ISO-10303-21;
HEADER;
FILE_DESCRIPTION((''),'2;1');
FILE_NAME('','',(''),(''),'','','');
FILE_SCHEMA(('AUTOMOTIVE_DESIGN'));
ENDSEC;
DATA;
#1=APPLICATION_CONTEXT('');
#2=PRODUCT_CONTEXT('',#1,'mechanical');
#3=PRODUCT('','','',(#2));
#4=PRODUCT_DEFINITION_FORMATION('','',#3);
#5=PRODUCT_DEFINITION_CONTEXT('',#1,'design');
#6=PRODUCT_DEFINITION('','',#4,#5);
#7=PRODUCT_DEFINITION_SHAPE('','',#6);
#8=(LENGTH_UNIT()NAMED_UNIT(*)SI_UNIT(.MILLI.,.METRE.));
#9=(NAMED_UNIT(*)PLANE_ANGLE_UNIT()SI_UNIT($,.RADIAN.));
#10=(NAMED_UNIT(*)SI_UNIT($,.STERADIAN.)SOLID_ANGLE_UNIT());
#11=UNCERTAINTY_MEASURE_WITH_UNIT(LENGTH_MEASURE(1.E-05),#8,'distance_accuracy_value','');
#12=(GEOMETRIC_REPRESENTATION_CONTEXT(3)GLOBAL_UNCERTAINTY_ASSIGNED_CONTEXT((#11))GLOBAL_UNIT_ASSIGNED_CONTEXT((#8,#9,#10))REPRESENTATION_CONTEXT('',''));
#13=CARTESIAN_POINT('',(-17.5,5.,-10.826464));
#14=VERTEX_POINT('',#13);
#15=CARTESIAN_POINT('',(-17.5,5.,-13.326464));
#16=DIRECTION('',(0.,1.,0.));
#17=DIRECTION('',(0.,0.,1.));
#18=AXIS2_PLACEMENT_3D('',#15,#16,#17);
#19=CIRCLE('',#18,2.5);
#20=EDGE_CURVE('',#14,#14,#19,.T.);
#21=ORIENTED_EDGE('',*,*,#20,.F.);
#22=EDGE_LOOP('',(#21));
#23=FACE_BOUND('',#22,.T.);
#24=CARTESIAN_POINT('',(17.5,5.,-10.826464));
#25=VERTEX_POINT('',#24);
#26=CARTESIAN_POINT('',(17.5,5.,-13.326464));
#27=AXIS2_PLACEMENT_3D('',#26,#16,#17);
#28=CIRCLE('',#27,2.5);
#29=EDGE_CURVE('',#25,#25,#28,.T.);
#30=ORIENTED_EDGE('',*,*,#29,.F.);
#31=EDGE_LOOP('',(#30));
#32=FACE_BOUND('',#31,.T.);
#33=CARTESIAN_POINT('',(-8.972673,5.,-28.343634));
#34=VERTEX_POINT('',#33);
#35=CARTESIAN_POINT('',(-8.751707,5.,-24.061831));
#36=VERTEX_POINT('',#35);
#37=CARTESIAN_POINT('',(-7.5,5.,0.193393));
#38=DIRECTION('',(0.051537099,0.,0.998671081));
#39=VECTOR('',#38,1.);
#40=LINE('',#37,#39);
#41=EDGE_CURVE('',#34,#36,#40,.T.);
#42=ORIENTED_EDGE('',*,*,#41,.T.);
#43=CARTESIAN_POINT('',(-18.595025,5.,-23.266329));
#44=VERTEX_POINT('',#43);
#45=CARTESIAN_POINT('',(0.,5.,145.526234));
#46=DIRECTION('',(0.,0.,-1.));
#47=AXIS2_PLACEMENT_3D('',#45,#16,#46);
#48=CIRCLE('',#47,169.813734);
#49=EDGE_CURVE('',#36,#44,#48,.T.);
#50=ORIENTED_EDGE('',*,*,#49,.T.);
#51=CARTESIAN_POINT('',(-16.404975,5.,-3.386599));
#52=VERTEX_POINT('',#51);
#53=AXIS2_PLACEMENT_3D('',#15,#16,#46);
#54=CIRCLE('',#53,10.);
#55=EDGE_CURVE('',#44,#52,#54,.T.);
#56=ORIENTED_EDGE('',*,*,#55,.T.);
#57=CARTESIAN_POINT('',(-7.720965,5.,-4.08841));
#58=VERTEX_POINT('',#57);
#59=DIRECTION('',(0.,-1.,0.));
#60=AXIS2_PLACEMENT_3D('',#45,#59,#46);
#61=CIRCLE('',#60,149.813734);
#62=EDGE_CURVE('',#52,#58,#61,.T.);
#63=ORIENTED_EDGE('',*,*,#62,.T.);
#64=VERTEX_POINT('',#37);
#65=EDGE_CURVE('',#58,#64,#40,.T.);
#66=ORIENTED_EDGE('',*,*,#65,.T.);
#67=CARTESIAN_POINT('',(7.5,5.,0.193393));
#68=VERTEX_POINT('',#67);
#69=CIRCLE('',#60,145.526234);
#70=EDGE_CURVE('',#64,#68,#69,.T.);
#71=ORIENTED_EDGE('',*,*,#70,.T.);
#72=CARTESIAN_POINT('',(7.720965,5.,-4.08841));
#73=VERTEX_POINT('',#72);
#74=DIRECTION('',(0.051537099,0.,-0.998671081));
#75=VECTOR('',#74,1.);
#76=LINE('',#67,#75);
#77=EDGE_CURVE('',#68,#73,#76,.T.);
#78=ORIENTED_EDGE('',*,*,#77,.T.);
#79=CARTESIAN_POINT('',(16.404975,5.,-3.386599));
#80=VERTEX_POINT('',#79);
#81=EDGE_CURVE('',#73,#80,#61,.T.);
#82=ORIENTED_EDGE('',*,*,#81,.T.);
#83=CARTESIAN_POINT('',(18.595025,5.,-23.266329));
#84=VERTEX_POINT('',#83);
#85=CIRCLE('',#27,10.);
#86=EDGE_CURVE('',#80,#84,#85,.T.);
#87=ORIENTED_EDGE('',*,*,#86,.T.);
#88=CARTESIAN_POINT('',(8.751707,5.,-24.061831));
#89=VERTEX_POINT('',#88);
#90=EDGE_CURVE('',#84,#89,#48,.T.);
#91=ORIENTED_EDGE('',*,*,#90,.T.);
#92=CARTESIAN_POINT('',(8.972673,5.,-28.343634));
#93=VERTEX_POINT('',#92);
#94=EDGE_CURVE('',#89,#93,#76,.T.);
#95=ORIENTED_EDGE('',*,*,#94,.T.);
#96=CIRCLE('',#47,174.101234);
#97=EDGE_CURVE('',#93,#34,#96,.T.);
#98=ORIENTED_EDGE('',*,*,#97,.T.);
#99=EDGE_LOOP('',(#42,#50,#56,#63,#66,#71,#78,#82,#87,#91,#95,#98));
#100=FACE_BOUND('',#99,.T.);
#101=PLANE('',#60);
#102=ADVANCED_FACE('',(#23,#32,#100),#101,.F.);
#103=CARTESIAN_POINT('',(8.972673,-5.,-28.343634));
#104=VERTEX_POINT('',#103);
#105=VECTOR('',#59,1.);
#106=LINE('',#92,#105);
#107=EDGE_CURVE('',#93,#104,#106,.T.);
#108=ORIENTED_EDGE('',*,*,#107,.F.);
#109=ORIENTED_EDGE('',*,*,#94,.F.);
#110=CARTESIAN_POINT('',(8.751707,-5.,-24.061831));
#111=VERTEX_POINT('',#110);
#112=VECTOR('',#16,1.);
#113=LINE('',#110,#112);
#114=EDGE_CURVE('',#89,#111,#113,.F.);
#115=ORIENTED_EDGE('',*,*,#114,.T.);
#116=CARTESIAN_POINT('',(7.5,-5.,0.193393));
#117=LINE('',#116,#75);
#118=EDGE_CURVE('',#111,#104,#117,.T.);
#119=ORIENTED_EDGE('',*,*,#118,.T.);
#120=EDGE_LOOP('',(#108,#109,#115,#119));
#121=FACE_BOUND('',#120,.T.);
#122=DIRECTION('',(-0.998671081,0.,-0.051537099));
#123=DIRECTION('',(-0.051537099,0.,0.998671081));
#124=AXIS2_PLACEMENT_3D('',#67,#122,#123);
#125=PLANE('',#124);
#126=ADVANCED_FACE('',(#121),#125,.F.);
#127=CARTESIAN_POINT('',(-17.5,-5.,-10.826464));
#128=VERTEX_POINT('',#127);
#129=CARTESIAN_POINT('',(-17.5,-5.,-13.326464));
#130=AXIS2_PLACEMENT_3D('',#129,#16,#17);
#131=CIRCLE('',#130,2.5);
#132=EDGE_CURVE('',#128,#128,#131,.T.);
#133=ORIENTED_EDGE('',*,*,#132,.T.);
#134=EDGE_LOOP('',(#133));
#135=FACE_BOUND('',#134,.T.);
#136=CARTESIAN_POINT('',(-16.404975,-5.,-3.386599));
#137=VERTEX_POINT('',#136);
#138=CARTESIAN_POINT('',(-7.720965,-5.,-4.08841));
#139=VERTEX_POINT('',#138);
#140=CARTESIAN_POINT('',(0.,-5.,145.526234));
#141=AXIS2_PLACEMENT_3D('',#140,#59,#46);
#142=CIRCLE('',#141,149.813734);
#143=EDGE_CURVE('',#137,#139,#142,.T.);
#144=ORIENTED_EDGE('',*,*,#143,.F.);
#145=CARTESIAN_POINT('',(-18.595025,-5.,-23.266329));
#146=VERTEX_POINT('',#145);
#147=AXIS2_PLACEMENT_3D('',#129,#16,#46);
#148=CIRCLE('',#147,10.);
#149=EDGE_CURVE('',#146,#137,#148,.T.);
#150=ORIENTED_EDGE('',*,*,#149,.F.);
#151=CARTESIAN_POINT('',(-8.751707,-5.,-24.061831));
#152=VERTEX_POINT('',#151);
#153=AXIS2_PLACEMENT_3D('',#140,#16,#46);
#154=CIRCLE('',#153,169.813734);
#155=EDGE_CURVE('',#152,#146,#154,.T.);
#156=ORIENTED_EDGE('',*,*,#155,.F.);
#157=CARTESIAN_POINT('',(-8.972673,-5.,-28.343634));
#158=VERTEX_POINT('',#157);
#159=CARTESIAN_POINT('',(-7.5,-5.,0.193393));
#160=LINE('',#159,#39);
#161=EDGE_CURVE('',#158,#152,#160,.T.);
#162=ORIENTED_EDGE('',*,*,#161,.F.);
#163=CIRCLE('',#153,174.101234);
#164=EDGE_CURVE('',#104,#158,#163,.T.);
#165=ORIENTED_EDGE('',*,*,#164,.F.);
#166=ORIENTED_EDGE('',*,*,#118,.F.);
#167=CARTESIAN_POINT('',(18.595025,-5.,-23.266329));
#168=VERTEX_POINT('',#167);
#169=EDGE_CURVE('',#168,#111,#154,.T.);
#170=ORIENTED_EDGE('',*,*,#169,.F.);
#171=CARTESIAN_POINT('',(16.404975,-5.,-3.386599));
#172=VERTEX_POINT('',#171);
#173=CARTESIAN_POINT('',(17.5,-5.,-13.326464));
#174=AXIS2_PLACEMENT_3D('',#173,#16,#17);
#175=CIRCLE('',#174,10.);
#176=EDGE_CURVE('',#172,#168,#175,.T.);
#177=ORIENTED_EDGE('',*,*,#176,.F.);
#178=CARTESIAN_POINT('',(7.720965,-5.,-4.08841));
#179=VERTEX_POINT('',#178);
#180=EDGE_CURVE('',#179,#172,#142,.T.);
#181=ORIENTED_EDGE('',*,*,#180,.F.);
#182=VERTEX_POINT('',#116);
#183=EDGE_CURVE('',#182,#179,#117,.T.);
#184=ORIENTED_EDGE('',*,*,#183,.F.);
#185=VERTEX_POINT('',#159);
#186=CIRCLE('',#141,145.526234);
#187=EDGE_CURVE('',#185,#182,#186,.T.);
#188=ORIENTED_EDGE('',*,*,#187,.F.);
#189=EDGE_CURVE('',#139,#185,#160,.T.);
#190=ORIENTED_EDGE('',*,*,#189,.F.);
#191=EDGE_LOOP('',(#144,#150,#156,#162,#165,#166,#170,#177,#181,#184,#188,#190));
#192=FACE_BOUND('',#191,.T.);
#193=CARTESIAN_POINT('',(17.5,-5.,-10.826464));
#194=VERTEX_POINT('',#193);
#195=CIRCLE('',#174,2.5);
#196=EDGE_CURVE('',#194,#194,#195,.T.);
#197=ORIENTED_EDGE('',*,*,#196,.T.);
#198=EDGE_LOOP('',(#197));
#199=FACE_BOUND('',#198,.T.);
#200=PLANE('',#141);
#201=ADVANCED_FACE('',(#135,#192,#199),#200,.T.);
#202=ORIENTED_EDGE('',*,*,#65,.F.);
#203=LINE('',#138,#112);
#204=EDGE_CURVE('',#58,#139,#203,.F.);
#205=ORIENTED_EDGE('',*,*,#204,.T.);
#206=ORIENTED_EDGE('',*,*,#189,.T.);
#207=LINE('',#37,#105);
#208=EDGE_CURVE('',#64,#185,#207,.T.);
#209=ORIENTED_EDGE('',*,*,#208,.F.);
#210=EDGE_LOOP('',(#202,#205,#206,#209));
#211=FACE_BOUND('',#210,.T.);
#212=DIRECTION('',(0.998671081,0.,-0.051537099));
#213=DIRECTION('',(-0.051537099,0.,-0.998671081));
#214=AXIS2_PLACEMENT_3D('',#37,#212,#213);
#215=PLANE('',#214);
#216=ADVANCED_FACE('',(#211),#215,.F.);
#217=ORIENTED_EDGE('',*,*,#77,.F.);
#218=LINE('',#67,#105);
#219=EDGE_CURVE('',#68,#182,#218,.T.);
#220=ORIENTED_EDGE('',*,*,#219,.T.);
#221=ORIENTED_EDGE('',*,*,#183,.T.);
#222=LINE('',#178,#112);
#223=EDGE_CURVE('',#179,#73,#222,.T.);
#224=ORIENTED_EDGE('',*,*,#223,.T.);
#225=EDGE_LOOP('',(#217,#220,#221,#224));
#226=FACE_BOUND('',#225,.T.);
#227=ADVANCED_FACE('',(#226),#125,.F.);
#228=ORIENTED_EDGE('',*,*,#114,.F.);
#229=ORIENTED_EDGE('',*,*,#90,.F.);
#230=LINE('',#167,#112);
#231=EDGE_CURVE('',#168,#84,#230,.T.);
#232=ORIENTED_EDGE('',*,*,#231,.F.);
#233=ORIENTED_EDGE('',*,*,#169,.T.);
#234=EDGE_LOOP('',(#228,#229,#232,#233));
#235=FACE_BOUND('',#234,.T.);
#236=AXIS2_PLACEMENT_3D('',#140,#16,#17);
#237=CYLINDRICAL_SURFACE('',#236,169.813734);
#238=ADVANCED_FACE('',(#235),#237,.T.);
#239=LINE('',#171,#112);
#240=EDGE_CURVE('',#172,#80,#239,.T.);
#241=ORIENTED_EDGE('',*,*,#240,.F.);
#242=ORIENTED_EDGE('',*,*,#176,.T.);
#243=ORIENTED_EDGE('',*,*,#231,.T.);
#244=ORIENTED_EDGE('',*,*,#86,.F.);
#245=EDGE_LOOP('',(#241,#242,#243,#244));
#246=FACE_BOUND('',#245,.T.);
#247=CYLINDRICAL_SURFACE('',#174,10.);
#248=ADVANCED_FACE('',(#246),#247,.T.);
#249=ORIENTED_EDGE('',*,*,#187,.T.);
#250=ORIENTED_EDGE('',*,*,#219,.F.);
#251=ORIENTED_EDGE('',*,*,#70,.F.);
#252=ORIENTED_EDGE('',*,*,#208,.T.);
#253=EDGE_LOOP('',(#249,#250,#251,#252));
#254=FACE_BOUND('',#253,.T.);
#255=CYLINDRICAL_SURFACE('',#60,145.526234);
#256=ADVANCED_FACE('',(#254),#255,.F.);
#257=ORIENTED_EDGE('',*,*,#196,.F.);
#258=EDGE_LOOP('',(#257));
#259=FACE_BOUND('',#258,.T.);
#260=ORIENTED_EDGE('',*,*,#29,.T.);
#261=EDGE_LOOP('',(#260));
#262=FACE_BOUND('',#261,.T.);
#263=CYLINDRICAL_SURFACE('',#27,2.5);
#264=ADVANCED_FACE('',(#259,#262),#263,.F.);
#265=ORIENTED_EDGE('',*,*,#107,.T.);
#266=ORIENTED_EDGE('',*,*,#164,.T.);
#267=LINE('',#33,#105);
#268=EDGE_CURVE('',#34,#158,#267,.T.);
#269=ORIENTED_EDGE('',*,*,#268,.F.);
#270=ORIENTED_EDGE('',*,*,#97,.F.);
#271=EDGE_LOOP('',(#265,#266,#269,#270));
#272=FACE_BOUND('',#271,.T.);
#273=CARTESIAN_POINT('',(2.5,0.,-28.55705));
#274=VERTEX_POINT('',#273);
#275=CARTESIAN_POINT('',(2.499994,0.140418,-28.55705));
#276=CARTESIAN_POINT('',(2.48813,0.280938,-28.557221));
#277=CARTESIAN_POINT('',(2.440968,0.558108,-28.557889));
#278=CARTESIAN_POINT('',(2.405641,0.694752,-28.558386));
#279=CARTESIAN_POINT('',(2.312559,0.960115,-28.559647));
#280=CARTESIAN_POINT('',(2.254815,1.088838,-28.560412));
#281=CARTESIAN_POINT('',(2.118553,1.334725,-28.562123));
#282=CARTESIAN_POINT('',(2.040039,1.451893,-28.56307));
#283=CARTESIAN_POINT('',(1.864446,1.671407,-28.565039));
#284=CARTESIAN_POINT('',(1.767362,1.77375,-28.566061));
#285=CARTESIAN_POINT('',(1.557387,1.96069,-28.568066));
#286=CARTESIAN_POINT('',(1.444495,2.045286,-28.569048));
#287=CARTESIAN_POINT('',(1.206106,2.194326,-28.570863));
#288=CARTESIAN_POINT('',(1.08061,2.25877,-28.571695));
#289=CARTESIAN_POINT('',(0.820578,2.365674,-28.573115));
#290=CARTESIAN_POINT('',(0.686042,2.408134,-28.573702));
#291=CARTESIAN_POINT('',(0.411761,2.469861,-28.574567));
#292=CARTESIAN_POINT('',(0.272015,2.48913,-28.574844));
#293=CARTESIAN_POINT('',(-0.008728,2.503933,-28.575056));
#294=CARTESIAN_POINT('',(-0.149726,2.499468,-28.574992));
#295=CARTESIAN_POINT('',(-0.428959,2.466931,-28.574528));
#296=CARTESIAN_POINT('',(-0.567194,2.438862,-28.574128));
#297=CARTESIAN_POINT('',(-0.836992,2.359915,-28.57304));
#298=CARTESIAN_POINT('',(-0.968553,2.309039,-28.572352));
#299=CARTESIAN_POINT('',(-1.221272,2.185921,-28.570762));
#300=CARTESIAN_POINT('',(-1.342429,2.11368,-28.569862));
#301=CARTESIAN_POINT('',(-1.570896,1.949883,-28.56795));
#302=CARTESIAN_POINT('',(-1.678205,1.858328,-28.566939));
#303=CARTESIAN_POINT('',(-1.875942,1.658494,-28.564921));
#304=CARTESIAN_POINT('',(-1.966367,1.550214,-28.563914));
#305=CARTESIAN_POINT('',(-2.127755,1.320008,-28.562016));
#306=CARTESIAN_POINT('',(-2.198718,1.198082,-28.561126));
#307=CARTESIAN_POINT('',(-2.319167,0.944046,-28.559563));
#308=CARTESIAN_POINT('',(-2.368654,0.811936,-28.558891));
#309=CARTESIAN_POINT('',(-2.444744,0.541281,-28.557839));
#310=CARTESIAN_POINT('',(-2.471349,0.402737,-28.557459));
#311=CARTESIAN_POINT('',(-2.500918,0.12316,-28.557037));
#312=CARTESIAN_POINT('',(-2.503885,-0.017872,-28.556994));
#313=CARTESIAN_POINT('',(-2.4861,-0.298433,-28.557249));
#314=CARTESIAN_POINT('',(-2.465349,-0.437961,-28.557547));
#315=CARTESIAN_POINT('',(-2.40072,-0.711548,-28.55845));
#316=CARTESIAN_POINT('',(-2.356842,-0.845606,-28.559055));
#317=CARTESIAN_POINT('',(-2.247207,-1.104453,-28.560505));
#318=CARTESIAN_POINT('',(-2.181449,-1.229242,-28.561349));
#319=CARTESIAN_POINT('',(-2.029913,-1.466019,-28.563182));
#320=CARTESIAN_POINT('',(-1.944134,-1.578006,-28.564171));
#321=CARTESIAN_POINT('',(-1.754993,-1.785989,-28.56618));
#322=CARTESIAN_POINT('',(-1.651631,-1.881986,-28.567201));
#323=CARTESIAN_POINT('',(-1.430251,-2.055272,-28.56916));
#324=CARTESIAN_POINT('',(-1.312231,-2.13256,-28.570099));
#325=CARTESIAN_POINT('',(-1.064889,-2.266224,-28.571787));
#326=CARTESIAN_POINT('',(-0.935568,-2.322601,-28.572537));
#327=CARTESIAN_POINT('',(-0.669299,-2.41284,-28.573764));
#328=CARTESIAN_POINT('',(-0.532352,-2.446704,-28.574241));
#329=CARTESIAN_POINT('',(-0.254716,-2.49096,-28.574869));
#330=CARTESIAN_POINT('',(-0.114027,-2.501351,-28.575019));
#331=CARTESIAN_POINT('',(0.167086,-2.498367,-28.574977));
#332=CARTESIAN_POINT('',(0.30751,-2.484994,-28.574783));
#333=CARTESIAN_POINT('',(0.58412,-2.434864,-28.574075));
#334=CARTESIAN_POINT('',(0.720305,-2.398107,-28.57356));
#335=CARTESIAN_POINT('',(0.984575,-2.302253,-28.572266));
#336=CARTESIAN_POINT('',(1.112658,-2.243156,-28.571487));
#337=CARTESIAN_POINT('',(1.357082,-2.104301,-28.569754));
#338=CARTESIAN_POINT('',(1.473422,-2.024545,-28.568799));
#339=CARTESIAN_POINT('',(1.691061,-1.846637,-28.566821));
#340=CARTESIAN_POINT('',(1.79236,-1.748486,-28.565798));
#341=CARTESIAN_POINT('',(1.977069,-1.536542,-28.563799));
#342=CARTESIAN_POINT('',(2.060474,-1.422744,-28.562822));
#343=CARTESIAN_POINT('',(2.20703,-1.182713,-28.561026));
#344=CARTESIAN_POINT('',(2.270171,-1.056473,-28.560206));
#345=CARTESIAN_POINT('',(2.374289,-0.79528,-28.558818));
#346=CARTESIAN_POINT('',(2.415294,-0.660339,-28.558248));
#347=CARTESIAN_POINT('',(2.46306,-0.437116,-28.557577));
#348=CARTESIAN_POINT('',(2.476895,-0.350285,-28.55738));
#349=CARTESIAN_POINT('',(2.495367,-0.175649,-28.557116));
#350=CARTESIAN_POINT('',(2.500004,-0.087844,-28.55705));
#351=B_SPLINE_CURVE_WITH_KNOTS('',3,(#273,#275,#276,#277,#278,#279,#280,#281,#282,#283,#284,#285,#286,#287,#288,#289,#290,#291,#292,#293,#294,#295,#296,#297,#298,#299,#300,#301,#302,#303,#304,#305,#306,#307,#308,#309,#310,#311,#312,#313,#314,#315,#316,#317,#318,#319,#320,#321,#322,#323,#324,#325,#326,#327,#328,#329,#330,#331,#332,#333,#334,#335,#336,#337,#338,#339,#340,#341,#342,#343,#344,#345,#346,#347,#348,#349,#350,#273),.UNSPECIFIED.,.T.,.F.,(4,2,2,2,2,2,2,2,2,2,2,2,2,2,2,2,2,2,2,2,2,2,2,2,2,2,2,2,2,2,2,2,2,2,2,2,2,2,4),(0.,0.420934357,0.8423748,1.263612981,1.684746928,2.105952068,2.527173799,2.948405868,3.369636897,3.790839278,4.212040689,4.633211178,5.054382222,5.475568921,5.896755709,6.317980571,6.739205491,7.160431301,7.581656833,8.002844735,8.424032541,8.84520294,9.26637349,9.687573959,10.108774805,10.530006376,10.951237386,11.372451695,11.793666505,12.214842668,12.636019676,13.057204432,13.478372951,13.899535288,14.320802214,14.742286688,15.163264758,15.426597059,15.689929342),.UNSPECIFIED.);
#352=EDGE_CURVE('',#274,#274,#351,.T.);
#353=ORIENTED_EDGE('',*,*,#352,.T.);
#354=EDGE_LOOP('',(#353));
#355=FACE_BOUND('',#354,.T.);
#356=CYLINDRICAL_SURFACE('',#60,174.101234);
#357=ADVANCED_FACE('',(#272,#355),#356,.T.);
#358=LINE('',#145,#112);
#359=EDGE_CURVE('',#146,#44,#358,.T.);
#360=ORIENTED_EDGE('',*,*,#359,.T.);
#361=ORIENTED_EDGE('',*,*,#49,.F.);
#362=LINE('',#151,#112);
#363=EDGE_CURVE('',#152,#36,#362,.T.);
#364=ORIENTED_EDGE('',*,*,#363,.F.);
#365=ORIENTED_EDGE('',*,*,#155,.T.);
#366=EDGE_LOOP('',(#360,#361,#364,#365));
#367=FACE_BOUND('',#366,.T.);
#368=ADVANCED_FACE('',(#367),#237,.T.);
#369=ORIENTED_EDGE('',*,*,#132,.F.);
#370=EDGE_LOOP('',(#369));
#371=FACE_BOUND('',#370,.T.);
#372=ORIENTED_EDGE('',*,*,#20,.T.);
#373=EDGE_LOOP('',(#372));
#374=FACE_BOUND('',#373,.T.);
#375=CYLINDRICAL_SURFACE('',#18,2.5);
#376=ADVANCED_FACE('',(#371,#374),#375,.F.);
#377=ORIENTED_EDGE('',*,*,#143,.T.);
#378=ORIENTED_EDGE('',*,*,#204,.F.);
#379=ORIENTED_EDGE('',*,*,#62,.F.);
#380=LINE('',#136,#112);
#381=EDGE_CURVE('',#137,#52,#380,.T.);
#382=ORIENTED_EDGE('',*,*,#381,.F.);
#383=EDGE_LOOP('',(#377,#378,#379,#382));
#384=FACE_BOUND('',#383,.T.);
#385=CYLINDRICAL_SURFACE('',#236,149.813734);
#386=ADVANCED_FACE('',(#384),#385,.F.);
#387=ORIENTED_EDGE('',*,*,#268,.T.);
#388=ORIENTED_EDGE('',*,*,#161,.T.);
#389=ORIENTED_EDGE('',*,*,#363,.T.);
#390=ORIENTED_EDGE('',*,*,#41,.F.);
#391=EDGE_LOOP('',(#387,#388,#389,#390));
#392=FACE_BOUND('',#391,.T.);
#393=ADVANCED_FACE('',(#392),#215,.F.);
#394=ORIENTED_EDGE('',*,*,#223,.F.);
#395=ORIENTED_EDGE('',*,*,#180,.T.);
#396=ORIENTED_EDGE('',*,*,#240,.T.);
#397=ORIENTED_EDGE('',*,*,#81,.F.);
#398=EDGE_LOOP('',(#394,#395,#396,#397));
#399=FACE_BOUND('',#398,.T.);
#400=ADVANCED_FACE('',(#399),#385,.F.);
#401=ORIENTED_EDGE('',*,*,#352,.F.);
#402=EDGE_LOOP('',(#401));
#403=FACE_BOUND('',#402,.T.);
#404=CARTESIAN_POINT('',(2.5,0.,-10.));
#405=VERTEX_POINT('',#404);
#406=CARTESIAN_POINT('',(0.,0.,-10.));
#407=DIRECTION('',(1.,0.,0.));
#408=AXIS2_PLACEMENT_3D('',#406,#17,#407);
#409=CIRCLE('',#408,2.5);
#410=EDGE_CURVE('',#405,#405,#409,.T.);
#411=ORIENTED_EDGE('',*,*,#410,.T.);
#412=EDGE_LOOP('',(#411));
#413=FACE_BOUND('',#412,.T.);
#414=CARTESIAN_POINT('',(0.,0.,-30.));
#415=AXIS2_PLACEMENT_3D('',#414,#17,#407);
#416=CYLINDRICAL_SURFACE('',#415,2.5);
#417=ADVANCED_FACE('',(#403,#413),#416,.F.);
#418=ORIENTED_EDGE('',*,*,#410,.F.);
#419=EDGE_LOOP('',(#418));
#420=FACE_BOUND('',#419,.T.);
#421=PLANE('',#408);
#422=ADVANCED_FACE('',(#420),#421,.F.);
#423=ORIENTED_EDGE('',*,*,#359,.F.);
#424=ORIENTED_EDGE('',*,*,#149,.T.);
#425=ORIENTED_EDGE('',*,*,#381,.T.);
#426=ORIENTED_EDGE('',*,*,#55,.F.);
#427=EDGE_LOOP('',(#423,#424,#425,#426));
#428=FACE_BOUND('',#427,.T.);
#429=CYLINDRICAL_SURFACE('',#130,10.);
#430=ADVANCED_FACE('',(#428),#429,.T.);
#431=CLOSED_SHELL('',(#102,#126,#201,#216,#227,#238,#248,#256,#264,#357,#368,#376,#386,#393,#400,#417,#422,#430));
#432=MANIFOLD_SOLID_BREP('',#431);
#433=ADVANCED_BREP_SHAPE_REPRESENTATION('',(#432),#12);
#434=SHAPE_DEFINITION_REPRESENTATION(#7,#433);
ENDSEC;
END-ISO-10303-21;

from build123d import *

# Parameters (mm, degrees)
BOSS_EXTRUDE1_DEPTH   = 5
BOSS_EXTRUDE2_DEPTH   = 10
M6X1_0_TAPPED_HOLE1_D = 5
CUT_EXTRUDE1_START    = -10
SKETCH8_R             = 2.5
CUT_EXTRUDE1_DEPTH    = 20


with BuildPart() as part:
    # Sketch1 → Boss-Extrude1 (new, symmetric)
    with BuildSketch(Plane(origin=(0, 0, 0), x_dir=(1, 0, 0), z_dir=(0, 1, 0))):
        with BuildLine():
            Line((-7.5, -0.193392624), (-8.972672616, 28.343633506))
            ThreePointArc((-8.972672616, 28.343633506), (0, 28.575), (8.972672616, 28.343633506))
            Line((8.972672616, 28.343633506), (7.5, -0.193392624))
            ThreePointArc((7.5, -0.193392624), (0, 0), (-7.5, -0.193392624))
        make_face()
    extrude(amount=BOSS_EXTRUDE1_DEPTH, both=True)

    # Sketch2 → Boss-Extrude2 (add, through all)
    with BuildSketch(Plane(origin=(0, 5, 0), x_dir=(1, 0, 0), z_dir=(0, 1, 0))):
        with BuildLine():
            ThreePointArc((-16.404975215, 3.386598502), (0, 4.2875), (16.404975215, 3.386598502))
            ThreePointArc((16.404975215, 3.386598502), (27.439865226, 12.231438943), (18.595024785, 23.266328954))
            ThreePointArc((18.595024785, 23.266328954), (0, 24.2875), (-18.595024785, 23.266328954))
            ThreePointArc((-18.595024785, 23.266328954), (-27.439865226, 12.231438943), (-16.404975215, 3.386598502))
        make_face()
    extrude(amount=-BOSS_EXTRUDE2_DEPTH)

    # M6x1.0 Tapped Hole1 (through all)
    with Locations(Plane(origin=(0, 5, 0), x_dir=(1, 0, 0), z_dir=(0, 1, 0))):
        with Locations((-17.5, 13.326463728), (17.5, 13.326463728)):
            Hole(M6X1_0_TAPPED_HOLE1_D / 2)

    # Sketch8 → Cut-Extrude1 (cut)
    with BuildSketch(Plane.XY.offset(CUT_EXTRUDE1_START)):
        Circle(SKETCH8_R)
    extrude(amount=-CUT_EXTRUDE1_DEPTH, mode=Mode.SUBTRACT)


solid = part.part
